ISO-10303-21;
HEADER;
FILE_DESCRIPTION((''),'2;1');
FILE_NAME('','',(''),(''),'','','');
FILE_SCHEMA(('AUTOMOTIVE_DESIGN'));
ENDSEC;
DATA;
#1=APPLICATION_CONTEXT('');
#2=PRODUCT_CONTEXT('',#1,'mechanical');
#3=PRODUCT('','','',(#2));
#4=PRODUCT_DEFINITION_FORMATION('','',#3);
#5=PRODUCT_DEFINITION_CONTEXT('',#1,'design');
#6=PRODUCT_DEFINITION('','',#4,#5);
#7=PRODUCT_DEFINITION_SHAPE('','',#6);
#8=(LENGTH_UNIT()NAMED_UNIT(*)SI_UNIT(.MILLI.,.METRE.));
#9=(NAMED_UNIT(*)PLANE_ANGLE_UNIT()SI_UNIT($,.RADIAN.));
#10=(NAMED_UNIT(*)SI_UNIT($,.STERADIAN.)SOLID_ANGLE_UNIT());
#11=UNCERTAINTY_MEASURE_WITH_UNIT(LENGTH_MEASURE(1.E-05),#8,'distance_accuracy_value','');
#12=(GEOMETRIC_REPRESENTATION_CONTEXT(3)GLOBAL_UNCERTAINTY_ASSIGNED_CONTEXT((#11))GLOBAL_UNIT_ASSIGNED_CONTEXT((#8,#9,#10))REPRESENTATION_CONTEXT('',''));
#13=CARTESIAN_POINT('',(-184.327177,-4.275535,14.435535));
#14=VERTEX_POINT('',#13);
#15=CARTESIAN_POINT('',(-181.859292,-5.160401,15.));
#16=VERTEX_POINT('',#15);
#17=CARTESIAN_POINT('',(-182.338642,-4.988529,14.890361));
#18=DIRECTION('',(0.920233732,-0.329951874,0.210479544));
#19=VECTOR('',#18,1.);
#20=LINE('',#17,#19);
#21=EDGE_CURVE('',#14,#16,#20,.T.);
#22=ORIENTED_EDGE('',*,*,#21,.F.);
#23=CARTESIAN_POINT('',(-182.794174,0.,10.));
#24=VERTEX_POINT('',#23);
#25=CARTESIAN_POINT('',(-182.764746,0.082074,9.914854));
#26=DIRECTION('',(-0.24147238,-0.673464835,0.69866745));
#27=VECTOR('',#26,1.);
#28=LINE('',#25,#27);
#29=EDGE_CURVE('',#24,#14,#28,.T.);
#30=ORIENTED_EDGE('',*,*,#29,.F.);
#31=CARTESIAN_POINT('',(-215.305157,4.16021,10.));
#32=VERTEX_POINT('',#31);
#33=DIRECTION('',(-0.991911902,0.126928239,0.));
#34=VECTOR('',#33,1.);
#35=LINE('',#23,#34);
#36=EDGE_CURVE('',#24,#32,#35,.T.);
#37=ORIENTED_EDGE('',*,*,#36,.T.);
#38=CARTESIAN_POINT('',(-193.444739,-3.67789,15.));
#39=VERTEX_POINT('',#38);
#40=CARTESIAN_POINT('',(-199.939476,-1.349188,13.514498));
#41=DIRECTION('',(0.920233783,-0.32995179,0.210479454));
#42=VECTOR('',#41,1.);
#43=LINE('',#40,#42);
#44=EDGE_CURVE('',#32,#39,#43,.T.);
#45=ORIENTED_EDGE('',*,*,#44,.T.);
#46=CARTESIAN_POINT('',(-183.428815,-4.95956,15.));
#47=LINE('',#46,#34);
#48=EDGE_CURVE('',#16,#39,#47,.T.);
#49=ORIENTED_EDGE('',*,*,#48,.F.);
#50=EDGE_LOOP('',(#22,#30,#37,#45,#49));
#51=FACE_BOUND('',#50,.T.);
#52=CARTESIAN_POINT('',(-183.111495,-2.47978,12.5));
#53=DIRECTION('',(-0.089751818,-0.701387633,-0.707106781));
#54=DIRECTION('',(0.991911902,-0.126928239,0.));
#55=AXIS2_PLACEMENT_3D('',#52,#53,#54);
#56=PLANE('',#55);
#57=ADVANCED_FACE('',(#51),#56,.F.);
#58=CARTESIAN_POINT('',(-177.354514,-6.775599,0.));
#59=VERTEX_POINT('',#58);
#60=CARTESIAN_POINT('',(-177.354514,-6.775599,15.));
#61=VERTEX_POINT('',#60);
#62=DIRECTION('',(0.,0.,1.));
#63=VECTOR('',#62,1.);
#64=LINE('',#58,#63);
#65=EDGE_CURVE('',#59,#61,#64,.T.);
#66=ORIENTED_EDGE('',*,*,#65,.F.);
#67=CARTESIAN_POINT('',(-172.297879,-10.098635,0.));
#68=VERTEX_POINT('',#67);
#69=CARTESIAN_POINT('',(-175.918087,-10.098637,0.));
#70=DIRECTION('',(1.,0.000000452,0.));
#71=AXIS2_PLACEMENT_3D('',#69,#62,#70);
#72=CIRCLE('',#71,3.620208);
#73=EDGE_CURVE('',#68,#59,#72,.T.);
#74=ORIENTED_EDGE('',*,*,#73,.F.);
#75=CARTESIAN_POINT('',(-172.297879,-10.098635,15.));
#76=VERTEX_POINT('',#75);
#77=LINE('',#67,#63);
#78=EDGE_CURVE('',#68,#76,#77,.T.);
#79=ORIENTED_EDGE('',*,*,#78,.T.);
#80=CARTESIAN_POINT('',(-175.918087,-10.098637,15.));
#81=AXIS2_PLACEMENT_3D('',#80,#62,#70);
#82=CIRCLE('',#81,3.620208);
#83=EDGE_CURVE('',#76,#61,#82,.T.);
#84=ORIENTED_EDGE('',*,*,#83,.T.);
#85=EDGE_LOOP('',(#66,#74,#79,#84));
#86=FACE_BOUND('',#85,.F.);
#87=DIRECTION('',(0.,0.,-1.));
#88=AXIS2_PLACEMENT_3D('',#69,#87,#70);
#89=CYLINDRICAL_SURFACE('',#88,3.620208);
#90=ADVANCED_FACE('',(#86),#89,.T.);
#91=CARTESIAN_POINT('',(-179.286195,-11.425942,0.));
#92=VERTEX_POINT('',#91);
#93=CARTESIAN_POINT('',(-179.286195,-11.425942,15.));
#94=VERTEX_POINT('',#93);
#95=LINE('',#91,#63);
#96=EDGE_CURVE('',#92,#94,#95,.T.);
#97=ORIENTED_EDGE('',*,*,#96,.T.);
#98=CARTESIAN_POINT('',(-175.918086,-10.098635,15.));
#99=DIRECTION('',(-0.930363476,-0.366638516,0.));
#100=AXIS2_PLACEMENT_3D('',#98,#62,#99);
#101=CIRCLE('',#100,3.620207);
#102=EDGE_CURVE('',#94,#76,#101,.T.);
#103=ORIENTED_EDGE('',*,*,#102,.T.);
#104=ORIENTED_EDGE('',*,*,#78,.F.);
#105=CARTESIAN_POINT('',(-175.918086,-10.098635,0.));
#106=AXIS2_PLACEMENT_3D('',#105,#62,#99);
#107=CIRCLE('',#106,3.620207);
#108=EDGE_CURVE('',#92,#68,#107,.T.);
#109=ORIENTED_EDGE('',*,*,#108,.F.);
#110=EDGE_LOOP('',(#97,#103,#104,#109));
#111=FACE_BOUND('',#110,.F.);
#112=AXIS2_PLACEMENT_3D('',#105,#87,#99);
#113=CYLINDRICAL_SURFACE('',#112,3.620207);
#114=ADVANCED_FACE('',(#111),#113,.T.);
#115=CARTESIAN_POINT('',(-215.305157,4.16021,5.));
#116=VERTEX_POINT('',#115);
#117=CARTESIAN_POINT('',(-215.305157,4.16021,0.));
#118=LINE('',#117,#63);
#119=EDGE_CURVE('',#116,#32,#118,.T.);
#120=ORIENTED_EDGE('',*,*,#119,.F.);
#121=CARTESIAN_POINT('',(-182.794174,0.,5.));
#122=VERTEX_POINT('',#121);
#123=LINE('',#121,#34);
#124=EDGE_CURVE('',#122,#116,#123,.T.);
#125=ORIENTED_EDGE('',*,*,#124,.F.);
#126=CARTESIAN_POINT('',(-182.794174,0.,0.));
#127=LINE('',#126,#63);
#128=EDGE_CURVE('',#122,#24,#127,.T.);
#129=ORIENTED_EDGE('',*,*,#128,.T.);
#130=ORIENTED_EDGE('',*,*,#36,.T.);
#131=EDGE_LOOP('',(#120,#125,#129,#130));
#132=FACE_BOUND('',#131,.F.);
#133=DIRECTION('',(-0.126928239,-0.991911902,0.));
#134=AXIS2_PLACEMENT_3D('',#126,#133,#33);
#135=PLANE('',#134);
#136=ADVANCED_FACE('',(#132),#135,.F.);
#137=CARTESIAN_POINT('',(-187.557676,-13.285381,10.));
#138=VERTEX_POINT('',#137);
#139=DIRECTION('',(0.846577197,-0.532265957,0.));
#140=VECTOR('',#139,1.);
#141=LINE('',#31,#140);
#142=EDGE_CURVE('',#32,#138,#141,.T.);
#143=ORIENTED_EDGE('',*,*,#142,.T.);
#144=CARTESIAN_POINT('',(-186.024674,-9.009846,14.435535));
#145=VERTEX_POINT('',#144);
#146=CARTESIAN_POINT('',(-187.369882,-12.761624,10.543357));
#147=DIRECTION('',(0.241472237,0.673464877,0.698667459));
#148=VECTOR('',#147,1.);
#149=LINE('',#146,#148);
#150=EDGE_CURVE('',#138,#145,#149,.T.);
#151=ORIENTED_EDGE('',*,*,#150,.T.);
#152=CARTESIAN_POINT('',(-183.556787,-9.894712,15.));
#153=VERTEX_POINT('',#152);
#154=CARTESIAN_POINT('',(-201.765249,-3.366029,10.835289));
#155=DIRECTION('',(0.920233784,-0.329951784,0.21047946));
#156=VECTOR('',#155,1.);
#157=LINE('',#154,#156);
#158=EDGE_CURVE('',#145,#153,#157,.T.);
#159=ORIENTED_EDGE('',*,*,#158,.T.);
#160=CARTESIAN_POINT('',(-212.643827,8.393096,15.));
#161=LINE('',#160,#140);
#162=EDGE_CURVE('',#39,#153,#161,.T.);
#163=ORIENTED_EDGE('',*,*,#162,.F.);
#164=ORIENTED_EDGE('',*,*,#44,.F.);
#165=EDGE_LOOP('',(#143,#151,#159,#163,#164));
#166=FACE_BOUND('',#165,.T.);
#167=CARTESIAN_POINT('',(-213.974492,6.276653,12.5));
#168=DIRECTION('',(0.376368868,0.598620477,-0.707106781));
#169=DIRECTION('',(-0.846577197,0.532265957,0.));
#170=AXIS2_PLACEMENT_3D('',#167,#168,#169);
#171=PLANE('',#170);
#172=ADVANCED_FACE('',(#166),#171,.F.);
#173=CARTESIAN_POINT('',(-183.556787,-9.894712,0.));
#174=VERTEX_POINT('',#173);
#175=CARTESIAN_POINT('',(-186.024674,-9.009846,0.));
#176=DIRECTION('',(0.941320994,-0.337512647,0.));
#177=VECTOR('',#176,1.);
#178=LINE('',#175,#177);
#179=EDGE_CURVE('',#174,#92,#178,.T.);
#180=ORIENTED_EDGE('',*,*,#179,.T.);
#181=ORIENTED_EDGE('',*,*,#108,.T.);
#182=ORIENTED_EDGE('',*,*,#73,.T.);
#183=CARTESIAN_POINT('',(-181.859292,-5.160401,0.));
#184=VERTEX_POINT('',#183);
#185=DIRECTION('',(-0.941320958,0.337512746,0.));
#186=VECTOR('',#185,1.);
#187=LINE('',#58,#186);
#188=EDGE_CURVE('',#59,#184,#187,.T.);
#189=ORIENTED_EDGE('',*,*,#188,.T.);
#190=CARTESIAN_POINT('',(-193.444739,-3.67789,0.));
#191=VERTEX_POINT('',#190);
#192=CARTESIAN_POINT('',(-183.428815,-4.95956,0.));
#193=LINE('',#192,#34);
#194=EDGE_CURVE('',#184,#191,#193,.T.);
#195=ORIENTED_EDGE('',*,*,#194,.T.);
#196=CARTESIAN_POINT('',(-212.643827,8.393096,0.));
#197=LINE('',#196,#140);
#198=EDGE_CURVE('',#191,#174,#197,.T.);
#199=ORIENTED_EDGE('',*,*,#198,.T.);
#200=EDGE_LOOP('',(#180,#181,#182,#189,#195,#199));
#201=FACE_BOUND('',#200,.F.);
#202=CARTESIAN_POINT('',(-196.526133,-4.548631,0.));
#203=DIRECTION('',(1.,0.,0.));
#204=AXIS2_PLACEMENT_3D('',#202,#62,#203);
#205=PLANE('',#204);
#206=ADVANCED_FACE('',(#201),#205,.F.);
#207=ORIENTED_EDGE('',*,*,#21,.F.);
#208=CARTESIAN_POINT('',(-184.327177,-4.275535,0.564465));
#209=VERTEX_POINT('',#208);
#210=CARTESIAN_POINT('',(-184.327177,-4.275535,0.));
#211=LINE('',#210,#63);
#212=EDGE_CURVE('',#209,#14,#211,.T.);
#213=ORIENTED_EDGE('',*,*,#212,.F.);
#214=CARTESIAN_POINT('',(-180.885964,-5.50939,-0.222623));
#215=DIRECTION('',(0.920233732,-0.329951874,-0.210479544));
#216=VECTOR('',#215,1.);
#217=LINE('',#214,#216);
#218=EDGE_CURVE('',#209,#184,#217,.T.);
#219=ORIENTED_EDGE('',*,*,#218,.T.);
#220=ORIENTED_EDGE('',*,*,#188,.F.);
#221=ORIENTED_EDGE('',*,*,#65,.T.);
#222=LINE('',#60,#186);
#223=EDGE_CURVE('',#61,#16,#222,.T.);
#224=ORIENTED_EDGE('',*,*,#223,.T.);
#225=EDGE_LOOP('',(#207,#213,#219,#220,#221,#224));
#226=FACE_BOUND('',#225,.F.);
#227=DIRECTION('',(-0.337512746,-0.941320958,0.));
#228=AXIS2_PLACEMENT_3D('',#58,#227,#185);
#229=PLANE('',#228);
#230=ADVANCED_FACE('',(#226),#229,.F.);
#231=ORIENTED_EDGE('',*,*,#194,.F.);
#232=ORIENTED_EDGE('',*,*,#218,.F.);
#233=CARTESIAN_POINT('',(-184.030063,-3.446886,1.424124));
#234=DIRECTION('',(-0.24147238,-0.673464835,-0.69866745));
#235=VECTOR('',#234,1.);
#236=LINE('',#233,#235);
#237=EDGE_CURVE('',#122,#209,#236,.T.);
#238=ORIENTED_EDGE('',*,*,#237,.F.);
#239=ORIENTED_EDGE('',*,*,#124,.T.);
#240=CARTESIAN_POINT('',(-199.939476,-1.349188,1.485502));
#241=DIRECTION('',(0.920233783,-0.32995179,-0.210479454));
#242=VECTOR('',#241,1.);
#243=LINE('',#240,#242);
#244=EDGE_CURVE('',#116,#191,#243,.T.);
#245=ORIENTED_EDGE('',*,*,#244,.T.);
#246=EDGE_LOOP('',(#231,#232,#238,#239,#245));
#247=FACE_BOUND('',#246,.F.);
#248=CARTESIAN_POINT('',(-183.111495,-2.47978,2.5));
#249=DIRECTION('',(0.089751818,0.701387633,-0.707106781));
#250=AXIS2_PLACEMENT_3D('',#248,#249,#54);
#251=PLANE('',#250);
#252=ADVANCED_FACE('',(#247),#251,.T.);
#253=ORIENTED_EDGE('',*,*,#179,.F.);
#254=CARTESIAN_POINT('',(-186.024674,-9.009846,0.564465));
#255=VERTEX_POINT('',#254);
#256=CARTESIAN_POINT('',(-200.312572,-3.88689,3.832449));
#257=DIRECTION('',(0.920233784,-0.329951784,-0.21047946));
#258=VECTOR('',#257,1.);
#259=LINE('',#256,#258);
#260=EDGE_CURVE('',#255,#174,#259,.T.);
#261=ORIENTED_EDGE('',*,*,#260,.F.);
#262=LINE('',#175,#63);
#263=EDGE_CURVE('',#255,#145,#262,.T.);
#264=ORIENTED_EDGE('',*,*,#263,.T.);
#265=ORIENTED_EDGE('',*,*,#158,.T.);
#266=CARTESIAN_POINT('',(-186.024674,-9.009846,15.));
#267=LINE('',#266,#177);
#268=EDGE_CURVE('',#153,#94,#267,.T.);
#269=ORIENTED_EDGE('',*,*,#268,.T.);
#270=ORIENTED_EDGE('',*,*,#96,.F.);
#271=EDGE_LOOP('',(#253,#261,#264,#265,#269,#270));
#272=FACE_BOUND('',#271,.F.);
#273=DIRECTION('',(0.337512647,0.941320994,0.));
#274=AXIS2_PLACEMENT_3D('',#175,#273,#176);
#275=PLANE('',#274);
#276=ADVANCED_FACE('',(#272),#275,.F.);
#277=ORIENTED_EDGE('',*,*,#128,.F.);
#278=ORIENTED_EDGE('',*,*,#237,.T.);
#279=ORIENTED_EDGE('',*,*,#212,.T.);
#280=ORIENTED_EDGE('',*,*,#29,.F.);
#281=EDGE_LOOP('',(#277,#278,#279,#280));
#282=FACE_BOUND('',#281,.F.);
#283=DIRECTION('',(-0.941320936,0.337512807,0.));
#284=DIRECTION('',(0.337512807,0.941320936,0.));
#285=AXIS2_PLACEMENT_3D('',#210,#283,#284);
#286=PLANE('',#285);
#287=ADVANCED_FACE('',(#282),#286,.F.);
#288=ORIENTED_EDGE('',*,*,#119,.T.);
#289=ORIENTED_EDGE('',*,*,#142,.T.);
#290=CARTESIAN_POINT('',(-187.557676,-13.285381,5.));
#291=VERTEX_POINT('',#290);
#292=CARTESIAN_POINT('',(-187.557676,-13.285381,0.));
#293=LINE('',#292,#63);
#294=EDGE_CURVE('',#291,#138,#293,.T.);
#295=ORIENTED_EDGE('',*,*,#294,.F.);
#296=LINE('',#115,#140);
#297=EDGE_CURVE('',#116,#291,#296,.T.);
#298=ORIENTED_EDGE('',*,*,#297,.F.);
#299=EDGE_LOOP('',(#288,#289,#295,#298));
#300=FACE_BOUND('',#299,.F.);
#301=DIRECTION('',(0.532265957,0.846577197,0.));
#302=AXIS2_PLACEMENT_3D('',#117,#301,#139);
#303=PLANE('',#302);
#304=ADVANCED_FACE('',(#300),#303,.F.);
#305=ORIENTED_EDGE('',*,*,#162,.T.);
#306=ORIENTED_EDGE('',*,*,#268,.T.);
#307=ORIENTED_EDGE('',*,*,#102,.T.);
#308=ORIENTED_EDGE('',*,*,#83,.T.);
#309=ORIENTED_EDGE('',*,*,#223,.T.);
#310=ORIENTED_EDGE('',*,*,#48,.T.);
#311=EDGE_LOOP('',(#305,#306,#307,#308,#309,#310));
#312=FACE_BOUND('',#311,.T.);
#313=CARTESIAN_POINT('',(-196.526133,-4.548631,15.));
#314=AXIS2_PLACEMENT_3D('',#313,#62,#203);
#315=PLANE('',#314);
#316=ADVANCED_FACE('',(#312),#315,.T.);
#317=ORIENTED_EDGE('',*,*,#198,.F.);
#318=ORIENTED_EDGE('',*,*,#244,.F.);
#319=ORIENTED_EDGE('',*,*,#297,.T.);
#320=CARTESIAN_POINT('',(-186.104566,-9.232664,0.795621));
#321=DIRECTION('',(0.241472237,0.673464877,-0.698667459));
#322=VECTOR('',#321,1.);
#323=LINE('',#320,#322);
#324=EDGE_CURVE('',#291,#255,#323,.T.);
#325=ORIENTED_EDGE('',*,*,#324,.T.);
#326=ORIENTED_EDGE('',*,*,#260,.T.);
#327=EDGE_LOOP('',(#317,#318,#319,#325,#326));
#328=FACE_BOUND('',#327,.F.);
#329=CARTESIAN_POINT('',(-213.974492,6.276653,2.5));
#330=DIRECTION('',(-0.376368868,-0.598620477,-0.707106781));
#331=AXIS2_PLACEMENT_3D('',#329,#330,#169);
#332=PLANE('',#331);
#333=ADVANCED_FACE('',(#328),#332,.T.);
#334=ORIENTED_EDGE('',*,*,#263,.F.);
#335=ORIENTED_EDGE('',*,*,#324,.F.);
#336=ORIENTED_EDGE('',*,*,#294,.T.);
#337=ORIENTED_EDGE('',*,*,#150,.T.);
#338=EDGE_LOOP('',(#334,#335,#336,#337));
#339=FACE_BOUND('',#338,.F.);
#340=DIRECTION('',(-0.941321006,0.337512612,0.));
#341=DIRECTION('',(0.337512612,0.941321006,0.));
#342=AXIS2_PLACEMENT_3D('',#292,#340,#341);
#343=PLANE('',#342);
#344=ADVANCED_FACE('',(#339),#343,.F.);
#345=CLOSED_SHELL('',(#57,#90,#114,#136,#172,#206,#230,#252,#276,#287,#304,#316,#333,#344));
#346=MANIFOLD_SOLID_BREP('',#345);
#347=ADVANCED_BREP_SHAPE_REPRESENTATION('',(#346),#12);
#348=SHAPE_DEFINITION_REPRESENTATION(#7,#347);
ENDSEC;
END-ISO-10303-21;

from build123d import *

# Parameters (mm, degrees)
F1_DEPTH = 15
F2_SIZE  = 5


with BuildPart() as f1:
    # F0 (on Top) → F1 (new body)
    with BuildSketch(Plane.XY):
        with BuildLine():
            Line((-186.024674, -9.009846), (-179.286195, -11.425942))
            ThreePointArc((-179.286195, -11.425942), (-179.538284, -10.090694), (-179.280339, -8.756566))
            Line((-179.280339, -8.756566), (-215.305157, 4.16021))
            Line((-215.305157, 4.16021), (-187.557676, -13.285381))
            Line((-187.557676, -13.285381), (-186.024674, -9.009846))
        make_face()
        with BuildLine():
            ThreePointArc((-179.280339, -8.756566), (-178.513831, -7.575145), (-177.354514, -6.775599))
            Line((-177.354514, -6.775599), (-184.327177, -4.275535))
            Line((-184.327177, -4.275535), (-182.794174, 0))
            Line((-182.794174, 0), (-215.305157, 4.16021))
            Line((-215.305157, 4.16021), (-179.280339, -8.756566))
        make_face()
        with BuildLine():
            ThreePointArc((-179.286195, -11.425942), (-175.242569, -13.655259), (-172.297879, -10.098635))
            ThreePointArc((-172.297879, -10.098635), (-173.929905, -7.073238), (-177.354514, -6.775599))
            ThreePointArc((-177.354514, -6.775599), (-178.513831, -7.575145), (-179.280339, -8.756566))
            ThreePointArc((-179.280339, -8.756566), (-179.538284, -10.090694), (-179.286195, -11.425942))
        make_face()
    extrude(amount=F1_DEPTH)

    # F2
    f2_edges = [f1.edges().sort_by_distance(p)[0] for p in [
        (-201.431417, -4.562585, 15),
        (-199.049666, 2.080105, 15),
        (-199.049666, 2.080105, 0),
        (-201.431417, -4.562585, 0),
    ]]
    chamfer(f2_edges, length=F2_SIZE)


solid = f1.part
